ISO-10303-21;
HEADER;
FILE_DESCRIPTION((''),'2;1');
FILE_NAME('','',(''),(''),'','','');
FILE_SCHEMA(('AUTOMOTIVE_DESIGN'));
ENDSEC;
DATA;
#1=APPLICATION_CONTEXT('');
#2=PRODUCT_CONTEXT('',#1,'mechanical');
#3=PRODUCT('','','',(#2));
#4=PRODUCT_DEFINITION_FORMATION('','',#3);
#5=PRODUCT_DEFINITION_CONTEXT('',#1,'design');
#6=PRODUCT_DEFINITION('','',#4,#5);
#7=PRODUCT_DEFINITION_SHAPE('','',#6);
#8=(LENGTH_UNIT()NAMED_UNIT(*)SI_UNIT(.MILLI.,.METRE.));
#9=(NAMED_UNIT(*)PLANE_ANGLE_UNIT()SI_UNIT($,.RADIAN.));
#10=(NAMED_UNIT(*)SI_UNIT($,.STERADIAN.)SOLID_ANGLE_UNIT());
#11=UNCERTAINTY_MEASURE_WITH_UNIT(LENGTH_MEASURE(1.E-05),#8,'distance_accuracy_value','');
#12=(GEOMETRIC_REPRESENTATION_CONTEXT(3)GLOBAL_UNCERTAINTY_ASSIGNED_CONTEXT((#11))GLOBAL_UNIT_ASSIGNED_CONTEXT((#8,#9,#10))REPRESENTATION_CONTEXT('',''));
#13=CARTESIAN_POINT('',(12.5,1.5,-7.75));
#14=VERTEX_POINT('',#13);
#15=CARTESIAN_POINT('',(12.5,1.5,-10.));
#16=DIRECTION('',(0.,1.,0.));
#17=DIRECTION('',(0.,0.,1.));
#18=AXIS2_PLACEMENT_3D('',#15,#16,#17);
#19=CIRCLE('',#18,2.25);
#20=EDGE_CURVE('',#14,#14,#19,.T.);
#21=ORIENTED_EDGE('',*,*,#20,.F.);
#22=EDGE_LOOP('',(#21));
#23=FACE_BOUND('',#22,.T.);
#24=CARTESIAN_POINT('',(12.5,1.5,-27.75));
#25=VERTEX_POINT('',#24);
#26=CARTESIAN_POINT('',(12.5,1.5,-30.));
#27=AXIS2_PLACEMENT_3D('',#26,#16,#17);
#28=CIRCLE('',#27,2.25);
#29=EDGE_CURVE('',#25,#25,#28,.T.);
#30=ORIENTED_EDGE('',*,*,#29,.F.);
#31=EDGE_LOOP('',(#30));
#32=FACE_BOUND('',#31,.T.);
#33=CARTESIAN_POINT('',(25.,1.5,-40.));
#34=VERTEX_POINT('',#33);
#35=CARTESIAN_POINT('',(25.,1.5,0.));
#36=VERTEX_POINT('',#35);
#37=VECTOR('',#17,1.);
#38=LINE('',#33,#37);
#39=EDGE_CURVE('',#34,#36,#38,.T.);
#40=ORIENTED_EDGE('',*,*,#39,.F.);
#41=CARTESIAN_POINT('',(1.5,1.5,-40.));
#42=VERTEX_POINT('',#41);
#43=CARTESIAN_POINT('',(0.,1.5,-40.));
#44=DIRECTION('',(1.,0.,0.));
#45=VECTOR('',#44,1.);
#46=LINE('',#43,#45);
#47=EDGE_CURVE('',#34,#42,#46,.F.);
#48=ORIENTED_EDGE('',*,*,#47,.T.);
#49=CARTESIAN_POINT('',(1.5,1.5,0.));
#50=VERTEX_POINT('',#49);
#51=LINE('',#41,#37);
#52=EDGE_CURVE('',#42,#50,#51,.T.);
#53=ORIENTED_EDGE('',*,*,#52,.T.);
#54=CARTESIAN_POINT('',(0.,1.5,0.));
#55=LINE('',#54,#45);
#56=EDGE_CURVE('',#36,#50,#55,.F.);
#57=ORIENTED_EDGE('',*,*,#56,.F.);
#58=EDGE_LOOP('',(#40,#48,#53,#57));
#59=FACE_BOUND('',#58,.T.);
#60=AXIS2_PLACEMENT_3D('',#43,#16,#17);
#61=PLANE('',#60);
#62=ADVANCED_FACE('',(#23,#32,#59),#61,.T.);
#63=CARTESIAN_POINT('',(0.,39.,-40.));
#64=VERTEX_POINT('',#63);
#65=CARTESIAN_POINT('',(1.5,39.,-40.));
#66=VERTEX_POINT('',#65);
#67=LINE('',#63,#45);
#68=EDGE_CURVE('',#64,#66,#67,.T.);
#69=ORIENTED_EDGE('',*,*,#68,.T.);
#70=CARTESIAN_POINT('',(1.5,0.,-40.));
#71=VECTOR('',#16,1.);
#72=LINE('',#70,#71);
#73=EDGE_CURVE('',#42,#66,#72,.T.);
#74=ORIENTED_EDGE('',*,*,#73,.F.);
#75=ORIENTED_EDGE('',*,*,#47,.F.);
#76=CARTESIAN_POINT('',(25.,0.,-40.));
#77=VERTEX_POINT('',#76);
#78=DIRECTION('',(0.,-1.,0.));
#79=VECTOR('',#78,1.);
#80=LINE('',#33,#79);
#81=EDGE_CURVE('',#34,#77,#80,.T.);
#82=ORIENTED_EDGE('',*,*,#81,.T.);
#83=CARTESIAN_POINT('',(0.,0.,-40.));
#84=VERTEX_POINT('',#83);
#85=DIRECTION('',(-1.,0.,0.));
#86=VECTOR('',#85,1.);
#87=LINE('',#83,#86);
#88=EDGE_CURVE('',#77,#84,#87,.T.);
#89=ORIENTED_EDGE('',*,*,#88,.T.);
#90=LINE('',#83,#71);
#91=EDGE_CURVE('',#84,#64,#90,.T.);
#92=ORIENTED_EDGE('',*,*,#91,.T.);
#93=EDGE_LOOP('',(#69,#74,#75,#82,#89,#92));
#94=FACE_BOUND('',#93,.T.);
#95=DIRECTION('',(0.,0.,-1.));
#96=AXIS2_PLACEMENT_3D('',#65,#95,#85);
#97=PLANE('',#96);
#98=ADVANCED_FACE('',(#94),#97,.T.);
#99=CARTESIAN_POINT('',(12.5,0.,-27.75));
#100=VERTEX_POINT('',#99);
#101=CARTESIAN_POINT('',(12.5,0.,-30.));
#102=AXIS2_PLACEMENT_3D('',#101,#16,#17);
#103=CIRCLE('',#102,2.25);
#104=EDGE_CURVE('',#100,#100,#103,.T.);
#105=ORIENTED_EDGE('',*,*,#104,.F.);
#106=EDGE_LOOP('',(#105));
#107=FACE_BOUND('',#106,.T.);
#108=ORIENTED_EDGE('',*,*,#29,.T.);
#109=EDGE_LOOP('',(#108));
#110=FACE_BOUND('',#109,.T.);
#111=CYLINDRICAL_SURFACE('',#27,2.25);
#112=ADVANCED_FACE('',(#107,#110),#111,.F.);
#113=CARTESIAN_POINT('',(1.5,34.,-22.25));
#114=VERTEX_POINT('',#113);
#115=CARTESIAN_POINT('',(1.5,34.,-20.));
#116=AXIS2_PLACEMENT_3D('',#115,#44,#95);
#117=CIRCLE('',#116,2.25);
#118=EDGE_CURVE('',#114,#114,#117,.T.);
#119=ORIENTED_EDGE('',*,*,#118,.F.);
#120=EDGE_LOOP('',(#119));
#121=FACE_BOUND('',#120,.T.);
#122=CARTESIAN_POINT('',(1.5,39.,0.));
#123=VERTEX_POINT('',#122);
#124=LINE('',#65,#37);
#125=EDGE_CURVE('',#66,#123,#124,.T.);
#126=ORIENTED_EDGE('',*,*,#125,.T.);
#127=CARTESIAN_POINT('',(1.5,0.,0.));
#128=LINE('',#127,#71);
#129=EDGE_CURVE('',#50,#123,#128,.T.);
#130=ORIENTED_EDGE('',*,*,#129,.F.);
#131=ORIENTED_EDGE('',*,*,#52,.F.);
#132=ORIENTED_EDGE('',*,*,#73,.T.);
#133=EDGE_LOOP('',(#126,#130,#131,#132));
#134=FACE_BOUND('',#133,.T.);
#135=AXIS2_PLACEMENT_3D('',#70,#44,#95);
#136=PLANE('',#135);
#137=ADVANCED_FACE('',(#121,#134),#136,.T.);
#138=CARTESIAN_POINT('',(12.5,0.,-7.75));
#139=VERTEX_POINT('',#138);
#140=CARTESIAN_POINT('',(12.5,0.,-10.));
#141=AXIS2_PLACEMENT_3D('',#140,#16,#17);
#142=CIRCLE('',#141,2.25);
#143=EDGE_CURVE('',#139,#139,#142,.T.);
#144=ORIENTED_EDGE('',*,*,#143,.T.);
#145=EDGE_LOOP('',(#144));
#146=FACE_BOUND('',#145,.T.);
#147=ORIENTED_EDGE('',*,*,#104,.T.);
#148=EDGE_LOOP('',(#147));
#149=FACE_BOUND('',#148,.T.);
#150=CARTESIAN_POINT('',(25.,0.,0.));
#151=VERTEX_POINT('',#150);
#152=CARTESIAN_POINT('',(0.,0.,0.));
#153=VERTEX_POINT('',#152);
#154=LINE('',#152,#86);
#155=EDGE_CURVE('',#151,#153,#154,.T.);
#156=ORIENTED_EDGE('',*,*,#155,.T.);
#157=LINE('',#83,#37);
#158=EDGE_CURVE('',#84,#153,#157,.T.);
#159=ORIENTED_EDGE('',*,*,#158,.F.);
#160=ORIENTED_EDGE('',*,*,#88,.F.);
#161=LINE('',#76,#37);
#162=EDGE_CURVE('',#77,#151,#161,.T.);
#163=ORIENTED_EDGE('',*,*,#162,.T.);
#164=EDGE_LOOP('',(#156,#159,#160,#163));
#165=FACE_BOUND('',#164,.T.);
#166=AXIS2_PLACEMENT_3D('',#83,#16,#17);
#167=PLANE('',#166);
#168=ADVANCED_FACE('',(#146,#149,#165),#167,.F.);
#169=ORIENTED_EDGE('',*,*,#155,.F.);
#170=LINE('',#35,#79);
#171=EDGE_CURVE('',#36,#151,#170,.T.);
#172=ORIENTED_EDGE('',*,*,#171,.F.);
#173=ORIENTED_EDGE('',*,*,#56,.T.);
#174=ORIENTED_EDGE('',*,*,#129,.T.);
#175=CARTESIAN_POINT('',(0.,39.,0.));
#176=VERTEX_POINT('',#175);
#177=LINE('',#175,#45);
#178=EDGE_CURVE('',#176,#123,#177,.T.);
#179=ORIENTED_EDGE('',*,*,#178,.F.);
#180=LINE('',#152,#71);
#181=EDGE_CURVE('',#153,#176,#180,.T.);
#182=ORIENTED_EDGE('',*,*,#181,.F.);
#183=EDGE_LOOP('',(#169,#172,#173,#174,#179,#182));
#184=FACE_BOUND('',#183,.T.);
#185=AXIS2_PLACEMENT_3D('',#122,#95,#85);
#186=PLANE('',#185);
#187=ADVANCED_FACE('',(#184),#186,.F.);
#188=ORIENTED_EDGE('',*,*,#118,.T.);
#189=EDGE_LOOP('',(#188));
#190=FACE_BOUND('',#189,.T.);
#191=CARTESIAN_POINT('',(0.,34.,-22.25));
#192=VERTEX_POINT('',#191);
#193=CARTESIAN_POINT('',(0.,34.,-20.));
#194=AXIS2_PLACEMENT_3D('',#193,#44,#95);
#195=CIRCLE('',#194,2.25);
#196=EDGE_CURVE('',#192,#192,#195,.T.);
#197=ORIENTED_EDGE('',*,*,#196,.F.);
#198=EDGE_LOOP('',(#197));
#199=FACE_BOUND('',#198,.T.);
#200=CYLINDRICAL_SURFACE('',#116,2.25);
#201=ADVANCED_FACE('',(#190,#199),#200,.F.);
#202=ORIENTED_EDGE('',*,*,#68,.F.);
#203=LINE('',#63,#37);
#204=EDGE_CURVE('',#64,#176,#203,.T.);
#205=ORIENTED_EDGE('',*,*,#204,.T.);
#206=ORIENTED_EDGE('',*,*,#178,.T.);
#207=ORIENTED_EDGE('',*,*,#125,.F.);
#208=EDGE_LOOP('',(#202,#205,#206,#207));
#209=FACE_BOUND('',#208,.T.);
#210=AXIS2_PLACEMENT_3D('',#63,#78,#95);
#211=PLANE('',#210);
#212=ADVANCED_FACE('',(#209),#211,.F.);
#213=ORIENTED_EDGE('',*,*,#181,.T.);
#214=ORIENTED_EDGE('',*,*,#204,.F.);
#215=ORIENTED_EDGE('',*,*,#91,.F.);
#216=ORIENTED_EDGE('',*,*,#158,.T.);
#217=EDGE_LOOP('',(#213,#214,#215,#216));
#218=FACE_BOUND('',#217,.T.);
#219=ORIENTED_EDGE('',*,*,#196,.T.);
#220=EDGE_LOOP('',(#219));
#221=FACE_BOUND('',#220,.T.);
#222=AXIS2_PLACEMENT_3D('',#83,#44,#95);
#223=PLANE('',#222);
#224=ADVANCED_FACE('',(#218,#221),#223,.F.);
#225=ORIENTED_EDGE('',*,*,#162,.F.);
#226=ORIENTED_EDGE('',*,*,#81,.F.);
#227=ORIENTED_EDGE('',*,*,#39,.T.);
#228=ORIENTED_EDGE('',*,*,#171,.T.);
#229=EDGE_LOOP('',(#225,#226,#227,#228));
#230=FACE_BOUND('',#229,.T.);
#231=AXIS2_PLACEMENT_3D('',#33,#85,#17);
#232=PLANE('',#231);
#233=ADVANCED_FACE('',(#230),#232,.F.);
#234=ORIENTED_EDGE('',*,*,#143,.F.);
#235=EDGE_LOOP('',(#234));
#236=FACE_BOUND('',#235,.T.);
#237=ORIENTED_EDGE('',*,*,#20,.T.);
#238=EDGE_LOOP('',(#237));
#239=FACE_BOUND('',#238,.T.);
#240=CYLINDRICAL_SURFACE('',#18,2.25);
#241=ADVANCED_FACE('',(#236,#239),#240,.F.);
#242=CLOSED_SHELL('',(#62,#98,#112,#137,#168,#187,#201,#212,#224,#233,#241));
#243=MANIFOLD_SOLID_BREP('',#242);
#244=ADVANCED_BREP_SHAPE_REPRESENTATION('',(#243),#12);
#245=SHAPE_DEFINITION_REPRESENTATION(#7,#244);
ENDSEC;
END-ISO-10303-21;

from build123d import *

# Parameters (mm, degrees)
EXTRU_MINCE1_DEPTH = 40
D_GAGEMENT_M41_D   = 4.5
D_GAGEMENT_M42_D   = 4.5


with BuildPart() as part:
    # Esquisse1 → Extru.-Mince1 (new body)
    with BuildSketch(Plane.XY):
        Polygon((0, 39), (0, 0), (25, 0), (25, 1.5), (1.5, 1.5), (1.5, 39), align=None)
    extrude(amount=-EXTRU_MINCE1_DEPTH)

    # Dégagement M41 (through all)
    with Locations(Plane(origin=(0, 1.5, 0), x_dir=(-1, 0, 0), z_dir=(0, 1, 0))):
        with Locations((-12.5, -10), (-12.5, -30)):
            Hole(D_GAGEMENT_M41_D / 2)

    # Dégagement M42 (through all)
    with Locations(Plane(origin=(1.5, 0, 0), x_dir=(0, 0, -1), z_dir=(1, 0, 0))):
        with Locations((20, 34)):
            Hole(D_GAGEMENT_M42_D / 2)


solid = part.part
